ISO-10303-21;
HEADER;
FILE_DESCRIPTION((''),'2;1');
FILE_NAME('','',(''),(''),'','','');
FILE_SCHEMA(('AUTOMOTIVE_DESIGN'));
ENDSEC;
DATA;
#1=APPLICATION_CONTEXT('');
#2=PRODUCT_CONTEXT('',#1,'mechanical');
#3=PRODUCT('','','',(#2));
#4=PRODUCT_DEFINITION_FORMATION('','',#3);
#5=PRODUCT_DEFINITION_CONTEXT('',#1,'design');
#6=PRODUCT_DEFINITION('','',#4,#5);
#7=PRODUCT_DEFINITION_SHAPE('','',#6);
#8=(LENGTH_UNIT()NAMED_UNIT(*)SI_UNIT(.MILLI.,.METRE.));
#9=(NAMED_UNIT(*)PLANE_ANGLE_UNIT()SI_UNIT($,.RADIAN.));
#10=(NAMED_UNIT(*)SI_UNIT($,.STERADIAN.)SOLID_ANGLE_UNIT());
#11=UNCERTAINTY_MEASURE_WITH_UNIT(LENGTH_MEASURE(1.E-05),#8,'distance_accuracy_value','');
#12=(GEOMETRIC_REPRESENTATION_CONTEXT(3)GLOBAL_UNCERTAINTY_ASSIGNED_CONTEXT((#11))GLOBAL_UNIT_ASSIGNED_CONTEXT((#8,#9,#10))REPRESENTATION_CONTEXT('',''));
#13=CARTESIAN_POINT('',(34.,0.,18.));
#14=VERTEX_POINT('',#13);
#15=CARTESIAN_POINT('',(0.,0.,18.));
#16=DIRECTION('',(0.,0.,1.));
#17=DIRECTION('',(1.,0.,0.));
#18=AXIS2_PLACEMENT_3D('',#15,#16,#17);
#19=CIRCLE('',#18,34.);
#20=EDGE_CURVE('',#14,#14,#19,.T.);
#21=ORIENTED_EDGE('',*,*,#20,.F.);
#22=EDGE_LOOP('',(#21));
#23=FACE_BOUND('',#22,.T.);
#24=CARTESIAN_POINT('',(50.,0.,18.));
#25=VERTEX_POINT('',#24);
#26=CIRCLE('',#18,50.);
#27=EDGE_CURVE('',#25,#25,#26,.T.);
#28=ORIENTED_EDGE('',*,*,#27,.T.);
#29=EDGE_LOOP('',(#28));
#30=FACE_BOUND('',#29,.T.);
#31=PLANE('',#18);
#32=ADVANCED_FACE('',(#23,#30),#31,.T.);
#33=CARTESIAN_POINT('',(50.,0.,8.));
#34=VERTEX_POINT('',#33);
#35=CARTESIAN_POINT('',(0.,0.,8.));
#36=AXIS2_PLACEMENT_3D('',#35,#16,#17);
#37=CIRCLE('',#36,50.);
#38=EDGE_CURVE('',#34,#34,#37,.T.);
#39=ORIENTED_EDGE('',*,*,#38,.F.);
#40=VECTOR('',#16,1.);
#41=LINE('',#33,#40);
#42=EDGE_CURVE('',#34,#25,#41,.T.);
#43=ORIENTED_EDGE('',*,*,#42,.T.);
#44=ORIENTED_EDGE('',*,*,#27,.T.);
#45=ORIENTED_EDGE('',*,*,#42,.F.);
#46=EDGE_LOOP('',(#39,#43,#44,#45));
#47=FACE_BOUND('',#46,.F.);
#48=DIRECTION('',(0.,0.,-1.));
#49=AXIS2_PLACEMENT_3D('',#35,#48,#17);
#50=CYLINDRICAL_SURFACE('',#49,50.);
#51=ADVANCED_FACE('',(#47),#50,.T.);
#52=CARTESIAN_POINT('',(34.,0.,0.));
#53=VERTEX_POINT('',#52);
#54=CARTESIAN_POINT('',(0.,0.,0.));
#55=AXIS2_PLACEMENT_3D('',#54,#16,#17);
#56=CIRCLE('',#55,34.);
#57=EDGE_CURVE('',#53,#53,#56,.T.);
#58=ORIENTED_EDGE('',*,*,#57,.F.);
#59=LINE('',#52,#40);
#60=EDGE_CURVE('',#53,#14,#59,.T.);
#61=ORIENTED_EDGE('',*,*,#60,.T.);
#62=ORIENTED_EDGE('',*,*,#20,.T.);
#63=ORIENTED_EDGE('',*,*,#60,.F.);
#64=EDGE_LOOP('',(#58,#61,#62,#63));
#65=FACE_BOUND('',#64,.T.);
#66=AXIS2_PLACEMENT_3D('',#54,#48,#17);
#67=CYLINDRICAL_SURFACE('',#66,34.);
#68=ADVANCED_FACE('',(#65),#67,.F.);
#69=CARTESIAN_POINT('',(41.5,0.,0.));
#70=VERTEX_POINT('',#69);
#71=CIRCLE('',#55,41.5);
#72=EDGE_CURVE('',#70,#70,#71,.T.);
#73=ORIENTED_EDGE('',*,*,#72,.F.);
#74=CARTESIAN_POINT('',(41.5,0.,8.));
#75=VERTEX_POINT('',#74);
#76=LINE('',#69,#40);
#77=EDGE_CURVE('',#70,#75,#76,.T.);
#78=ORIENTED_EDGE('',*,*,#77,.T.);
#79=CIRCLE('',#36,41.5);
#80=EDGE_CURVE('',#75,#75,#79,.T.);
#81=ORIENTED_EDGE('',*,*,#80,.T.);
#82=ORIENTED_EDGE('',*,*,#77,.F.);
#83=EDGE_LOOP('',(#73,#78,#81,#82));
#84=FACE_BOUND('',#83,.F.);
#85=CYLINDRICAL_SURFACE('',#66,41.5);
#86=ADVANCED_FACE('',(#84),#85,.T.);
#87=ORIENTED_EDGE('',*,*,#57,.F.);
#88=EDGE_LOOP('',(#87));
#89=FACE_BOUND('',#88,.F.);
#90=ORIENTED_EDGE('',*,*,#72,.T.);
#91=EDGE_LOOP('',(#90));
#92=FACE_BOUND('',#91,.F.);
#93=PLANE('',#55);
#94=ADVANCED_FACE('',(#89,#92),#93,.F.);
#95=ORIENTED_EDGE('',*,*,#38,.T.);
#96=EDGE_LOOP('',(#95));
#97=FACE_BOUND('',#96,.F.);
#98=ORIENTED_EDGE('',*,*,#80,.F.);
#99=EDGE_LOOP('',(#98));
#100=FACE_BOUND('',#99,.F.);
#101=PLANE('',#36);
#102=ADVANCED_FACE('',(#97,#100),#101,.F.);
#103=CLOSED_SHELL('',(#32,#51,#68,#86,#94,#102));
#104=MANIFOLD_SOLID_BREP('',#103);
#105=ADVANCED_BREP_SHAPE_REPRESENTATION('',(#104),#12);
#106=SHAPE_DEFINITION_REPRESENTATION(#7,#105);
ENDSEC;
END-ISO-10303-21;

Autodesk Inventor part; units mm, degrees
ref_plane "YZ Plane" through (0, 0, 0) normal (1, 0, 0) x (0, 1, 0)
ref_plane "XZ Plane" through (0, 0, 0) normal (0, 1, 0) x (-1, 0, 0)
ref_plane "XY Plane" through (0, 0, 0) normal (0, 0, 1) x (1, 0, 0)
sketch "Skizze1" plane through (0, 0, 0) normal (0, 0, 1) x (1, 0, 0)
  circle A0 centre (0, 0) radius 27.5
  circle A1 centre (0, 0) radius 41.5
  circle A2 centre (0, 0) radius 34
  dimension "d0" = 55
  dimension "d1" = 83
  dimension "d2" = 68
extrude "Extrusion1" add sketch "Skizze1" along normal blind 8 contours A1
sketch "Skizze2" plane through (0, 0, 8) normal (0, 0, 1) x (1, 0, 0)
  circle A0 centre (0, 0) radius 50
  circle A1 centre (0, 0) radius 34
  circle A2 centre (0, 0) radius 34 projected
  dimension "d5" = 100
extrude "Extrusion2" add sketch "Skizze2" along normal blind 10
properties part number "Antriebszahnrad"
